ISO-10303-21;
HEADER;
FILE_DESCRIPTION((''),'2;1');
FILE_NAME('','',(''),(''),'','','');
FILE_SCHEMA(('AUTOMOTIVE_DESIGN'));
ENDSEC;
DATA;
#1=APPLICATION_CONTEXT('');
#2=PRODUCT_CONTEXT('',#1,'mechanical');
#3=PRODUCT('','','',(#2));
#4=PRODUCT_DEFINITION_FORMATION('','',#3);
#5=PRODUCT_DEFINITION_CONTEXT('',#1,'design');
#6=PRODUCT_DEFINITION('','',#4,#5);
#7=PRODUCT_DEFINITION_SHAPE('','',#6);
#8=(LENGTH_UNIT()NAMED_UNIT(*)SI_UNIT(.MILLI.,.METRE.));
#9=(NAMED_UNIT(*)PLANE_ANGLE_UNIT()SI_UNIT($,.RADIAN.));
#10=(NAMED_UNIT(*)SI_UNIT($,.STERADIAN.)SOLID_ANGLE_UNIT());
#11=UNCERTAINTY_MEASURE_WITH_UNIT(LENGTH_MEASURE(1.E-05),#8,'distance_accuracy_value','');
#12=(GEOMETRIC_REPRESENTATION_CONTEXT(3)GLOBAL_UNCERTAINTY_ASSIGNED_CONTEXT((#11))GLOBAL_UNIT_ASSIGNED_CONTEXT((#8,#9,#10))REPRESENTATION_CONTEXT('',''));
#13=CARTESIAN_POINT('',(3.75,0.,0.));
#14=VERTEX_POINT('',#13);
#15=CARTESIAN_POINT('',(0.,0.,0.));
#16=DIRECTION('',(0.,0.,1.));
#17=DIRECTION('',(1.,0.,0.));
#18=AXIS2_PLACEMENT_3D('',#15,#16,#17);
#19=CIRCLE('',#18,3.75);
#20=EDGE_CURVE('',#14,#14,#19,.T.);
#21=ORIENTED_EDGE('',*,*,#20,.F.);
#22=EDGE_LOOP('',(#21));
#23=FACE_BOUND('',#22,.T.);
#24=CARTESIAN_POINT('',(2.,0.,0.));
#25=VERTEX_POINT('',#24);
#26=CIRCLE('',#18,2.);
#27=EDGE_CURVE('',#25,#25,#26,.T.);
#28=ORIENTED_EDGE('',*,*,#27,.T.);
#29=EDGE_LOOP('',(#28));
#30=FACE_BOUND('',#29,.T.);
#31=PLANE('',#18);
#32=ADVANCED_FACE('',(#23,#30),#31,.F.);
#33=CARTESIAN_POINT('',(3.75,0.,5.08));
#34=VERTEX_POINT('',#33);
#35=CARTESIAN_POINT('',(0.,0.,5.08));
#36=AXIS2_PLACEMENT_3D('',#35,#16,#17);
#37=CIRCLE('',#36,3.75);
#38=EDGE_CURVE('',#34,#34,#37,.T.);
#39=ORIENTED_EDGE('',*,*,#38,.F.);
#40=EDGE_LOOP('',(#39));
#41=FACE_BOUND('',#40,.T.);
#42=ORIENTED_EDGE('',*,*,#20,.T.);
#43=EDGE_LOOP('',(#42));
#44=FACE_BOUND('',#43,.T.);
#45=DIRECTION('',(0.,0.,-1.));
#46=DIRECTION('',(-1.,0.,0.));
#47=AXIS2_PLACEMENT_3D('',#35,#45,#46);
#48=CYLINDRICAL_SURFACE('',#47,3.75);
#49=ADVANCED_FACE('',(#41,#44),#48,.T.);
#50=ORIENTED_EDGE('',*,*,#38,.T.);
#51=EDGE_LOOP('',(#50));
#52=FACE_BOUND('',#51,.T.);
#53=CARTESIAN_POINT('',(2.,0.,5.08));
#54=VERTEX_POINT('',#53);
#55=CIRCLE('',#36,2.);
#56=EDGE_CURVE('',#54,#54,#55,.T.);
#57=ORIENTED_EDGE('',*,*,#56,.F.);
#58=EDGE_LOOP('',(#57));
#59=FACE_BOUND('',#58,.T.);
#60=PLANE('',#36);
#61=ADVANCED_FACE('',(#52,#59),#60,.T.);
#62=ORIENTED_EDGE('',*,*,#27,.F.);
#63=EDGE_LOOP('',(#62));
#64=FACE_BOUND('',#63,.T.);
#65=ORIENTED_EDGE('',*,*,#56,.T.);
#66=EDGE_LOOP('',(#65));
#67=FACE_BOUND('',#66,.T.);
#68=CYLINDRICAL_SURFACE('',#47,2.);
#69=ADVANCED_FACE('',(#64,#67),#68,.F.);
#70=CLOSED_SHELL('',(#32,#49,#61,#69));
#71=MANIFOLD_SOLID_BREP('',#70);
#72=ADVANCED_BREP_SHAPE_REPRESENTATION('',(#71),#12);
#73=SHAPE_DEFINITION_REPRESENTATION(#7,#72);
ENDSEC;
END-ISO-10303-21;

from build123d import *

# Parameters (mm, degrees)
SKETCH1_R           = 3.75
SKETCH1_R_2         = 2
BOSS_EXTRUDE1_DEPTH = 5.08


with BuildPart() as part:
    # Sketch1 → Boss-Extrude1 (new body)
    with BuildSketch(Plane.XY):
        Circle(SKETCH1_R)
        Circle(SKETCH1_R_2, mode=Mode.SUBTRACT)
    extrude(amount=BOSS_EXTRUDE1_DEPTH)


solid = part.part
